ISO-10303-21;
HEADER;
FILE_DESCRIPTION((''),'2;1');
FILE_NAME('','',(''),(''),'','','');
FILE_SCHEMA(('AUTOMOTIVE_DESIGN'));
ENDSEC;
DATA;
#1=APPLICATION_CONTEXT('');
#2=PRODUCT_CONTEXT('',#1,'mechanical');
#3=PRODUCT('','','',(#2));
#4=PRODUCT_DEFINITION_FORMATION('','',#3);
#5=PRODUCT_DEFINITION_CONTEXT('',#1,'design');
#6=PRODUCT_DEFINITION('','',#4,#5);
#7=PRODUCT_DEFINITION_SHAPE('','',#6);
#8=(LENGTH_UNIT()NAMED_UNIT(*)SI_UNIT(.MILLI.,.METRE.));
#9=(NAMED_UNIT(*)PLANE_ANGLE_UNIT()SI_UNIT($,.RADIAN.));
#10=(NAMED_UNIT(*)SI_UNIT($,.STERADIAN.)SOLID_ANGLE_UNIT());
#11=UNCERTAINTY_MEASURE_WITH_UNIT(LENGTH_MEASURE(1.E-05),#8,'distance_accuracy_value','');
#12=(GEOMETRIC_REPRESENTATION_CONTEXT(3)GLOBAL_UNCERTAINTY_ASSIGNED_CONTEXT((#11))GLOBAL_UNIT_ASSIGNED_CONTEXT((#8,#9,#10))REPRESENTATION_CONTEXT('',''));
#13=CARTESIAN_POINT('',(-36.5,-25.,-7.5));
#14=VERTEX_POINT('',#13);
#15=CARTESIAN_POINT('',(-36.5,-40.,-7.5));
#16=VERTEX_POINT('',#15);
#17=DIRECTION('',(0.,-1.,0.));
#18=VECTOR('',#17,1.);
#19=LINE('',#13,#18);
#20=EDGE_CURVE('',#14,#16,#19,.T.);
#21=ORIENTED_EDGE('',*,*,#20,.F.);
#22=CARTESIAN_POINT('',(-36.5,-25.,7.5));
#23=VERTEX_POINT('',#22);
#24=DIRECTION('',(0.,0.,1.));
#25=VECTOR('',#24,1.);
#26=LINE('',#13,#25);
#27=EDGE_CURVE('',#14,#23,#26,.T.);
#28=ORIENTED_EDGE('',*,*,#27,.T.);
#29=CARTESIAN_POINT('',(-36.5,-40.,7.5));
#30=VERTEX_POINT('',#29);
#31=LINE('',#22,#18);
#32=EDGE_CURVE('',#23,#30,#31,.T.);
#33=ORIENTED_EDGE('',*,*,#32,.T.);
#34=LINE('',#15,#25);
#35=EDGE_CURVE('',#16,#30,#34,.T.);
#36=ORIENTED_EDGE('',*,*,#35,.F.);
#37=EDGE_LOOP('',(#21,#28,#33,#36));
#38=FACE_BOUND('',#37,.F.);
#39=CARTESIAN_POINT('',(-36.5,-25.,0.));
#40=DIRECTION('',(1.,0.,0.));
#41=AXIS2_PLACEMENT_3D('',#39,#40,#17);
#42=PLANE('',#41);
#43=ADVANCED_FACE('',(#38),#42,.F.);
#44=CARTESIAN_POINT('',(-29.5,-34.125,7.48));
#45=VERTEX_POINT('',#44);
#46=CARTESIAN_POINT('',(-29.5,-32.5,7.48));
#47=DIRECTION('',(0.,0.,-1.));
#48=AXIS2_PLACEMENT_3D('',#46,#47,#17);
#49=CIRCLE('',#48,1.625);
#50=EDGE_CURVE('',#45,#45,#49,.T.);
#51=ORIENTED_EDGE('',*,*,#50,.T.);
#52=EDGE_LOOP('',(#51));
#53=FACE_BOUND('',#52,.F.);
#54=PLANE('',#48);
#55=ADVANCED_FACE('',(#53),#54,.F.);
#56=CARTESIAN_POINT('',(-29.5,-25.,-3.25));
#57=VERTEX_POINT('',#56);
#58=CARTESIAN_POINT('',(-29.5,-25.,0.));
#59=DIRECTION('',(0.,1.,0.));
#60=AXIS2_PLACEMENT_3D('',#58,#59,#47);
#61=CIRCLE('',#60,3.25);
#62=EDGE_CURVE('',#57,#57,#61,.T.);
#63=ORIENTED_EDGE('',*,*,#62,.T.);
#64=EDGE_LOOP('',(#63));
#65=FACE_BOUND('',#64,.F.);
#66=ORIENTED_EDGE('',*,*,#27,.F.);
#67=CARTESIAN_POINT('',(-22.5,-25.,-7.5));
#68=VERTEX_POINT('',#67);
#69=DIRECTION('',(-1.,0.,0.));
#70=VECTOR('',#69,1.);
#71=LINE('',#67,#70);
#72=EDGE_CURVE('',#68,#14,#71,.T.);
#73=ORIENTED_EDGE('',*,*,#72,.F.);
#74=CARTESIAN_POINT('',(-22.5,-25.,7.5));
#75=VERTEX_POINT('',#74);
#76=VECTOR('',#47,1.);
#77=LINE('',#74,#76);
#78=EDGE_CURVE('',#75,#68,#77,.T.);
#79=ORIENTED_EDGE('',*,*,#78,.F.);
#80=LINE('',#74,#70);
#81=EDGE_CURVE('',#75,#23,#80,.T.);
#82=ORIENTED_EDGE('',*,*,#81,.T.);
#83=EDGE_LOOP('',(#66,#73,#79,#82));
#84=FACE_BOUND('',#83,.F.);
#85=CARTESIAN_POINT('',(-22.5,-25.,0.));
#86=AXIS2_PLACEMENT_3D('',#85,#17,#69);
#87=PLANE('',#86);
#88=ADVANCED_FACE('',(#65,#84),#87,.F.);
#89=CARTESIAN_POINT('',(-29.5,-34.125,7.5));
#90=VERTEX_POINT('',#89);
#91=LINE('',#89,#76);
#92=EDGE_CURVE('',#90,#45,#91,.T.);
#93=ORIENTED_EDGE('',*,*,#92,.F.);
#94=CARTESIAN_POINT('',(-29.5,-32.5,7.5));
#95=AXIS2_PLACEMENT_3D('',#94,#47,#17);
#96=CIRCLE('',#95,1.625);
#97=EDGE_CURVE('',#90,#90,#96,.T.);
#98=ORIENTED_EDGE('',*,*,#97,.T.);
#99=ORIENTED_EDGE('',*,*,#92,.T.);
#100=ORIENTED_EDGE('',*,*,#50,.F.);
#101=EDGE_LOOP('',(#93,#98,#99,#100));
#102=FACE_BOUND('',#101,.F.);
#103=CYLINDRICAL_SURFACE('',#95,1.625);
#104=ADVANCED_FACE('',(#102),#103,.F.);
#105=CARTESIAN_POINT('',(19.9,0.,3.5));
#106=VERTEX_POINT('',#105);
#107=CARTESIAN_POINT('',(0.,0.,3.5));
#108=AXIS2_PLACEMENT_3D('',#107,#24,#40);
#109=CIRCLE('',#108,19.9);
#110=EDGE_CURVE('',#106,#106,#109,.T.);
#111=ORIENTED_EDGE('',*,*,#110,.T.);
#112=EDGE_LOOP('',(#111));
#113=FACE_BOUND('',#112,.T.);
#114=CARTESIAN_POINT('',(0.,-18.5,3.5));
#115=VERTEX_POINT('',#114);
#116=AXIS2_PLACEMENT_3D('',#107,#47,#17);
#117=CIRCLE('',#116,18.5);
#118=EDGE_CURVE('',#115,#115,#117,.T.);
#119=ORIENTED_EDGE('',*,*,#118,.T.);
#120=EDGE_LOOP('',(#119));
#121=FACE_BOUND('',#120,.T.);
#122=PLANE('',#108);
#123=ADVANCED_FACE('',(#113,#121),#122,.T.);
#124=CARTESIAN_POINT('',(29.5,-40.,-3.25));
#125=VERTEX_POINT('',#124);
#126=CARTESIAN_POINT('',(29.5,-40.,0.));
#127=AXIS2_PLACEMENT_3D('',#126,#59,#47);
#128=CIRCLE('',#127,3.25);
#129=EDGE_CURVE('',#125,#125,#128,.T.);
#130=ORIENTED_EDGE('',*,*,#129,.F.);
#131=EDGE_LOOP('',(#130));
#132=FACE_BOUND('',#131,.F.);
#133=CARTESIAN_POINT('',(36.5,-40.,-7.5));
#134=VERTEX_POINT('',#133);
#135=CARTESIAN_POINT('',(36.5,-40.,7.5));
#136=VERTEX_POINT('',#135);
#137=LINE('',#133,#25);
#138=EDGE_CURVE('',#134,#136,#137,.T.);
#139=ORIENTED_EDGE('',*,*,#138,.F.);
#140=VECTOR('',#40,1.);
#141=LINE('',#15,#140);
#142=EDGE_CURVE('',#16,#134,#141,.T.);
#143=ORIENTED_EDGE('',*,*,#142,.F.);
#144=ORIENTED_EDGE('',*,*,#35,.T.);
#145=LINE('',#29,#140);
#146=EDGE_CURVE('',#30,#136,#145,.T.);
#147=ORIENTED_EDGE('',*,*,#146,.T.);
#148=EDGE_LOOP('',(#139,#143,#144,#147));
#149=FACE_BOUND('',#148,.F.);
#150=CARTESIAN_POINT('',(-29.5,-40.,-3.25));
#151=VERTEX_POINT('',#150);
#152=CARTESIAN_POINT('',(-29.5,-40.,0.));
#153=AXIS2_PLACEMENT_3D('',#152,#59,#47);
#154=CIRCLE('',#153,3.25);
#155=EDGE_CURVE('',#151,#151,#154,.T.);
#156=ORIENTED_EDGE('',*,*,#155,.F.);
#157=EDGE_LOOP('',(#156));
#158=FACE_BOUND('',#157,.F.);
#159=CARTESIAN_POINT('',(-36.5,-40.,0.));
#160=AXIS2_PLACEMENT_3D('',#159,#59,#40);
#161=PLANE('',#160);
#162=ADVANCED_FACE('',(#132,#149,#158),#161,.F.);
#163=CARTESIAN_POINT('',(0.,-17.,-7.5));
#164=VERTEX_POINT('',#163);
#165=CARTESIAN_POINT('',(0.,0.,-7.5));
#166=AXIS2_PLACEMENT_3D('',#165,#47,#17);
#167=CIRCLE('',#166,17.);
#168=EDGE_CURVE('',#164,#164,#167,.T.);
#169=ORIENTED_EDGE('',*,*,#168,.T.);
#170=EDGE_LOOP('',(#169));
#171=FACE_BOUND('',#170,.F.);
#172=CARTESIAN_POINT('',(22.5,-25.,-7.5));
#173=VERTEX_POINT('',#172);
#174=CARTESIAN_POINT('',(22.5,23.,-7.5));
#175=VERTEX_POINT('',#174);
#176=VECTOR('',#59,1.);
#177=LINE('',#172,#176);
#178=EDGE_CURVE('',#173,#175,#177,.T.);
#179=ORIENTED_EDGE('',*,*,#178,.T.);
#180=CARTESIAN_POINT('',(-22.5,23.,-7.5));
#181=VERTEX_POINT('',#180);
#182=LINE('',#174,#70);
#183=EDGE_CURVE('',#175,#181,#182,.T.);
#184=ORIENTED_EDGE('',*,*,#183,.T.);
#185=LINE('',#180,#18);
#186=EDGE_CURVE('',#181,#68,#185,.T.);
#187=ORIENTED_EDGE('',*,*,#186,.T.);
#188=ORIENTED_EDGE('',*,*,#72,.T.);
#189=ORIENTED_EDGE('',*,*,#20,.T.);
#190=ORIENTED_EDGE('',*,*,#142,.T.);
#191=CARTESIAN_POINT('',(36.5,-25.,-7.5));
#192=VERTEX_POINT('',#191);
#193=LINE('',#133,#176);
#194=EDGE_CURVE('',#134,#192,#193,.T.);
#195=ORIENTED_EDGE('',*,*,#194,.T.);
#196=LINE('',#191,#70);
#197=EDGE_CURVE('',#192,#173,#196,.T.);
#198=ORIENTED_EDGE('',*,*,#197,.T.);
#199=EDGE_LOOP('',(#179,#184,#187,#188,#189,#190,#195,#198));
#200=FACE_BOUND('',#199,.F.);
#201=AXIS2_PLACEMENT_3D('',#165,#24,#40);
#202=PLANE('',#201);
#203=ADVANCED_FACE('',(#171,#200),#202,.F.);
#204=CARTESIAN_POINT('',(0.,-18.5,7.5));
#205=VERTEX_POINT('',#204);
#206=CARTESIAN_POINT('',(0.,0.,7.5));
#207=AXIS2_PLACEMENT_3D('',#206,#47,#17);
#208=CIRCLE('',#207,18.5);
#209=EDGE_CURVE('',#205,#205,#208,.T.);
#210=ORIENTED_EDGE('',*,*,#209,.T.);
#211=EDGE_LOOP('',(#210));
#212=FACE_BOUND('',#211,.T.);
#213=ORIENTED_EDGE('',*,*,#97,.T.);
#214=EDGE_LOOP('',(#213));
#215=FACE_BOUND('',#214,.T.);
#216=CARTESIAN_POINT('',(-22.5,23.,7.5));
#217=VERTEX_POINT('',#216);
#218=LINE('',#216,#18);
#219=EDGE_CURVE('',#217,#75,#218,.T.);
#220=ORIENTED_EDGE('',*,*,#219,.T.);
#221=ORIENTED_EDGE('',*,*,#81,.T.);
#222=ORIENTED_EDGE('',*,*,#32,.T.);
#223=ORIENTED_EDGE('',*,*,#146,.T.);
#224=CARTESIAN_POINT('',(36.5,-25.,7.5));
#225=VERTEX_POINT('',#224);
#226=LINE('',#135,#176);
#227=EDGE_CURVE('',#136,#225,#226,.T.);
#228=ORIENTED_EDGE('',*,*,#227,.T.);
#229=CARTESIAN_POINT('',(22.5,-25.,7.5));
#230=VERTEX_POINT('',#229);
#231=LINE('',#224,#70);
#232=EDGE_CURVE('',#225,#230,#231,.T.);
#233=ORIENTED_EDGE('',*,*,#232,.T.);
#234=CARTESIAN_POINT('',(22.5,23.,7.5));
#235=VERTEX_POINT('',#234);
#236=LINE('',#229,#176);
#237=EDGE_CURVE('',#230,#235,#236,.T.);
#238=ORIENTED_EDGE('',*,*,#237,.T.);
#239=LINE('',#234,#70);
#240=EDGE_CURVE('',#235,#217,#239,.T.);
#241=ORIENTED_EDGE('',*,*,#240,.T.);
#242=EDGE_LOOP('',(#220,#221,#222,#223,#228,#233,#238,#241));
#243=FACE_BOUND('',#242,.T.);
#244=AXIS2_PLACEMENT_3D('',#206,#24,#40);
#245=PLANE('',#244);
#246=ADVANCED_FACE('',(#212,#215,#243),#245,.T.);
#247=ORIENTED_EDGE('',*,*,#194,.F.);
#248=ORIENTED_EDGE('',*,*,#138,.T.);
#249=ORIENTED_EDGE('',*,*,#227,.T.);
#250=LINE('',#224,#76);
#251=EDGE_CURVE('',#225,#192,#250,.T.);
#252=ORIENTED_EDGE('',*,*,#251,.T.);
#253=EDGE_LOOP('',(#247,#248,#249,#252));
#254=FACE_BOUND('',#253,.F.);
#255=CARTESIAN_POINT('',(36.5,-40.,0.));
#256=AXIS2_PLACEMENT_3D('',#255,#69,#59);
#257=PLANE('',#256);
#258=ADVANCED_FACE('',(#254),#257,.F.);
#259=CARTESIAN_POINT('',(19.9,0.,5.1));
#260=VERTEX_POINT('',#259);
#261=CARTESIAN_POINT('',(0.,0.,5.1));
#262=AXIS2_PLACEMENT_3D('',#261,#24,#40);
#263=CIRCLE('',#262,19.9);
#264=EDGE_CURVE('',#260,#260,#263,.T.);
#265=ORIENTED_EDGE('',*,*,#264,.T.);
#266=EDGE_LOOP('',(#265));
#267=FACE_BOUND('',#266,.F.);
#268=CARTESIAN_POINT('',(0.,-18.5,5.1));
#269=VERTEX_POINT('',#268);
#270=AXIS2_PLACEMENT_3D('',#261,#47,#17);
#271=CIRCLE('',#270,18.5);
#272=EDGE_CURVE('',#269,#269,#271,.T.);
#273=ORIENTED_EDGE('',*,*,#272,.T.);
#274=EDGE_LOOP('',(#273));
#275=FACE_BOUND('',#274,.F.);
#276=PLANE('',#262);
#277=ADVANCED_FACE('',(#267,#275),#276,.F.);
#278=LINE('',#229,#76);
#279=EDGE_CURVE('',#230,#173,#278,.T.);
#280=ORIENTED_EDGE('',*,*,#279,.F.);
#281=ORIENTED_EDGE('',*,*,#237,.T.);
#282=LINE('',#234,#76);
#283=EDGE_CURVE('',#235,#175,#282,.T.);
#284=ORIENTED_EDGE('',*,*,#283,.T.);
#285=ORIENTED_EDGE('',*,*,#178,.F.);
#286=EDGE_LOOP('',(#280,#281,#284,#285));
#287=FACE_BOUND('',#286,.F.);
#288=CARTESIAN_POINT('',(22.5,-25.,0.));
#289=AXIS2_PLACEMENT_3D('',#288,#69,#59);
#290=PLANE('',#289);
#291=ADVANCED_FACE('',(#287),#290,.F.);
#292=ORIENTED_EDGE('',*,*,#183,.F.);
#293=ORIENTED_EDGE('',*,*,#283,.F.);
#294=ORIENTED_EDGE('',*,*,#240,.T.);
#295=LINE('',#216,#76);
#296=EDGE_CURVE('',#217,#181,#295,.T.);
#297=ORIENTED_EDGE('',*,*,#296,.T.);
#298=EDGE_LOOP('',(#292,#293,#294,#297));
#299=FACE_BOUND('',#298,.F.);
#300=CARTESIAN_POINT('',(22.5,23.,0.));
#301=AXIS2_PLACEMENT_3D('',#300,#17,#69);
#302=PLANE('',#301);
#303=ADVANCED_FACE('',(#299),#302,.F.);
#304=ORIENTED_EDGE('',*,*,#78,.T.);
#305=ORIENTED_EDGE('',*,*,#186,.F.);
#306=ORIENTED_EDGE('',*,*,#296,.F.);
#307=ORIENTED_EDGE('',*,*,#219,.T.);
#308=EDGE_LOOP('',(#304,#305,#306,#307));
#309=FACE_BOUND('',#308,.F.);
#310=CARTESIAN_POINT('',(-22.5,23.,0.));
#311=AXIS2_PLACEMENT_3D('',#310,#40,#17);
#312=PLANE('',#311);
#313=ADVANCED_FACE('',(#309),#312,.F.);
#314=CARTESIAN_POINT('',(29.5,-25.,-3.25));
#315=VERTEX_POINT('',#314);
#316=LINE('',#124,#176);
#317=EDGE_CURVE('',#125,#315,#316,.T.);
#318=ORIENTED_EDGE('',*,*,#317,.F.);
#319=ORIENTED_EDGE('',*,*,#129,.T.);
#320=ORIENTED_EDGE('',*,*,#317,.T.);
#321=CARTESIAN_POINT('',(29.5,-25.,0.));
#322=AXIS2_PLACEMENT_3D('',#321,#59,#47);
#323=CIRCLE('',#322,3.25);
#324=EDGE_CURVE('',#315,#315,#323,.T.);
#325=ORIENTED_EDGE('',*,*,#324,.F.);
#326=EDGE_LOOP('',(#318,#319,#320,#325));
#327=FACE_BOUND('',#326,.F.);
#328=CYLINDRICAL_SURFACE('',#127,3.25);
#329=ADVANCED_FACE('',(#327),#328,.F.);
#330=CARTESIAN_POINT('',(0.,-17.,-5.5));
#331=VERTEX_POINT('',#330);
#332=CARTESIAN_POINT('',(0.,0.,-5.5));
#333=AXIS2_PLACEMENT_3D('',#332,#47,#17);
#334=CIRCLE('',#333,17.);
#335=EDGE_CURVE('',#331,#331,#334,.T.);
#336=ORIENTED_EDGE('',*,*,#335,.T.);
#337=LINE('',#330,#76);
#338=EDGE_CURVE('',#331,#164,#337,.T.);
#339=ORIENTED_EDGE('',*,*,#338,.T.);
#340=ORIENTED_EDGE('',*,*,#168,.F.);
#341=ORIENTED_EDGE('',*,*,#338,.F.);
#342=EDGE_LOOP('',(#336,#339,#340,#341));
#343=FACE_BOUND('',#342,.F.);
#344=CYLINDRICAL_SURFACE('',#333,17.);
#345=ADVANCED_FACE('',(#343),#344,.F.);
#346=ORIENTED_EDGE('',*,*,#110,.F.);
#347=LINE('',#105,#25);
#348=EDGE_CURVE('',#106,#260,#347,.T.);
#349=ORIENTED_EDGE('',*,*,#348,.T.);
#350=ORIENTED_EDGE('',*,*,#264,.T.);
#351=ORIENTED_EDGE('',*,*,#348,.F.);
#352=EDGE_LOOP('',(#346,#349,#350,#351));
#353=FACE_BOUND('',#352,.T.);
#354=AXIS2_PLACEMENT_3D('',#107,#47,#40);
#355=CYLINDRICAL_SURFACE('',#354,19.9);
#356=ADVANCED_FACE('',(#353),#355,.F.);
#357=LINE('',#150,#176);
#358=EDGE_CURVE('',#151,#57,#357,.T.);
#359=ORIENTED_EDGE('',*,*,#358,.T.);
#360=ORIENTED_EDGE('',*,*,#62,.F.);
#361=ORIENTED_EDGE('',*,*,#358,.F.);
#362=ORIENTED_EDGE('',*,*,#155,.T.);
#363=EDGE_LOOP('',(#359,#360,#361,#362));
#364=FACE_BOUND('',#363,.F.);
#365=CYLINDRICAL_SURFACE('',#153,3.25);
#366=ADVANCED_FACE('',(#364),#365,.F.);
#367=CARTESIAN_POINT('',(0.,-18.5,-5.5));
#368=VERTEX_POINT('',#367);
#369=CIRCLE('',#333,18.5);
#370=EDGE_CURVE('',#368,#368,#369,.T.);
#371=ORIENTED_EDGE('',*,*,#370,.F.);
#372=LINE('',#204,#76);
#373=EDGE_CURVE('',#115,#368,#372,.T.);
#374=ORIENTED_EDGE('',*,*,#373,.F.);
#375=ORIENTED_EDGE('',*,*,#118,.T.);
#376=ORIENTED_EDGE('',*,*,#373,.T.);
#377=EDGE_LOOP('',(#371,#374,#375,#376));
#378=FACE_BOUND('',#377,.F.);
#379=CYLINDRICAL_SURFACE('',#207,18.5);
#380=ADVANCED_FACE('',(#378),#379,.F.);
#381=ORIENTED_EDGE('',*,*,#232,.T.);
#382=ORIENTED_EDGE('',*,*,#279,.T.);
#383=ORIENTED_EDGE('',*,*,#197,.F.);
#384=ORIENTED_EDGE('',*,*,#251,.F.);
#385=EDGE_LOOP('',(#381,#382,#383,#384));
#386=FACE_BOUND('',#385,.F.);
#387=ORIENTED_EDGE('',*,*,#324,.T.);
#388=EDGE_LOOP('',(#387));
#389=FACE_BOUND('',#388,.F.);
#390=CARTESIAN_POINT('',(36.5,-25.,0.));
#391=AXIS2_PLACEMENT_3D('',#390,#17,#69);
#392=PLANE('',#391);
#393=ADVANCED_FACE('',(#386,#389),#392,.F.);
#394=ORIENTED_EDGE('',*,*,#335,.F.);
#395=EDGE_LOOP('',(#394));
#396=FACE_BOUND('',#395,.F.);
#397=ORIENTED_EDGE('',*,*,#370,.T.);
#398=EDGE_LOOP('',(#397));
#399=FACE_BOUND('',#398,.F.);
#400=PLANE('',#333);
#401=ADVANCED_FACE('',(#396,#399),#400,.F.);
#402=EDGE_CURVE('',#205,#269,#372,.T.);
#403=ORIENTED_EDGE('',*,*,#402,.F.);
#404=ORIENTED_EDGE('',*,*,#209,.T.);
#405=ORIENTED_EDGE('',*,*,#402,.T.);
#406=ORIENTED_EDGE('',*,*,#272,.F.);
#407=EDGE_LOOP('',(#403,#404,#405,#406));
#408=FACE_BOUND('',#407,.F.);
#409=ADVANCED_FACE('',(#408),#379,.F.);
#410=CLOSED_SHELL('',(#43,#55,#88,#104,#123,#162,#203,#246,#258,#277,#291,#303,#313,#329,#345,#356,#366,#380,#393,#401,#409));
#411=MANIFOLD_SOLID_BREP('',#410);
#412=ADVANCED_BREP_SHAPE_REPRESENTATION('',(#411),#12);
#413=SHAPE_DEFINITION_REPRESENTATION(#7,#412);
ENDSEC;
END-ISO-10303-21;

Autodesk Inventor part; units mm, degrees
sketch "Sketch_1" plane through (0, 0, 0) normal (0, 0, 1) x (1, 0, 0)
  line L0 (-36.5, -25) -> (-36.5, -40)
  line L1 (-36.5, -40) -> (36.5, -40)
  line L2 (36.5, -40) -> (36.5, -25)
  line L3 (36.5, -25) -> (22.5, -25)
  line L4 (22.5, -25) -> (22.5, 23)
  line L5 (22.5, 23) -> (-22.5, 23)
  line L6 (-22.5, 23) -> (-22.5, -25)
  line L7 (-22.5, -25) -> (-36.5, -25)
extrude "Extrusion1" add sketch "Sketch_1" along normal mid plane 15
sketch "Sketch2" plane through (0, 0, 7.5) normal (0, 0, 1) x (1, 0, 0)
  point P0 (0, 0)
hole "Hole1" at (0, 0, 7.5) direction (0, 0, -1) diameter 34 depth 15 counterbore diameter 37 counterbore depth 13
sketch "Sketch3" plane through (-36.5, -40, 7.5) normal (0, -1, 0) x (1, 0, 0)
  point P0 (7, -7.5)
hole "Hole2" at (-29.5, -40, 0) direction (0, 1, 0) diameter 6.5 depth 15
sketch "Sketch4" plane through (-36.5, -40, 7.5) normal (0, -1, 0) x (1, 0, 0)
  point P0 (66, -7.5)
hole "Hole3" at (29.5, -40, 0) direction (0, 1, 0) diameter 6.5 depth 15
sketch "Sketch_7" plane through (0, 0, 3.5) normal (0, 0, 1) x (1, 0, 0)
  circle A0 centre (0, 0) radius 19.9
extrude "Extrusion2" cut sketch "Sketch_7" along normal blind 1.6
sketch "Sketch6" plane through (0, 0, 7.5) normal (0, 0, 1) x (1, 0, 0)
  point P0 (-29.5, -32.5)
hole "Hole4" at (-29.5, -32.5, 7.5) direction (0, 0, -1) diameter 3.25 depth 0.02
ref_plane "housing_to_dummy_XY" through (0, 0, 0) normal (1, 0, 0) x (0, 0, -1)
ref_plane "housing_to_dummy_YZ" through (0, 0, 0) normal (0, 0, -1) x (0, 1, 0)
ref_plane "housing_to_dummy_ZX" through (0, 0, 0) normal (0, 1, 0) x (1, 0, 0)
ref_plane "to_bearing_XY" through (0, 0, -5.5) normal (0, 0, 1) x (1, 0, 0)
ref_plane "to_bearing_YZ" through (0, 0, -5.5) normal (1, 0, 0) x (0, 1, 0)
ref_plane "to_bearing_ZX" through (0, 0, -5.5) normal (0, 1, 0) x (0, 0, 1)
ref_plane "to_rring_XY" through (0, 0, 3.5) normal (0, 0, -1) x (1, 0, 0)
ref_plane "to_rring_YZ" through (0, 0, 3.5) normal (1, 0, 0) x (0, -1, 0)
ref_plane "to_rring_ZX" through (0, 0, 3.5) normal (0, -1, 0) x (0, 0, -1)
properties part number "BSHKSA6904ZZ-40_h"
